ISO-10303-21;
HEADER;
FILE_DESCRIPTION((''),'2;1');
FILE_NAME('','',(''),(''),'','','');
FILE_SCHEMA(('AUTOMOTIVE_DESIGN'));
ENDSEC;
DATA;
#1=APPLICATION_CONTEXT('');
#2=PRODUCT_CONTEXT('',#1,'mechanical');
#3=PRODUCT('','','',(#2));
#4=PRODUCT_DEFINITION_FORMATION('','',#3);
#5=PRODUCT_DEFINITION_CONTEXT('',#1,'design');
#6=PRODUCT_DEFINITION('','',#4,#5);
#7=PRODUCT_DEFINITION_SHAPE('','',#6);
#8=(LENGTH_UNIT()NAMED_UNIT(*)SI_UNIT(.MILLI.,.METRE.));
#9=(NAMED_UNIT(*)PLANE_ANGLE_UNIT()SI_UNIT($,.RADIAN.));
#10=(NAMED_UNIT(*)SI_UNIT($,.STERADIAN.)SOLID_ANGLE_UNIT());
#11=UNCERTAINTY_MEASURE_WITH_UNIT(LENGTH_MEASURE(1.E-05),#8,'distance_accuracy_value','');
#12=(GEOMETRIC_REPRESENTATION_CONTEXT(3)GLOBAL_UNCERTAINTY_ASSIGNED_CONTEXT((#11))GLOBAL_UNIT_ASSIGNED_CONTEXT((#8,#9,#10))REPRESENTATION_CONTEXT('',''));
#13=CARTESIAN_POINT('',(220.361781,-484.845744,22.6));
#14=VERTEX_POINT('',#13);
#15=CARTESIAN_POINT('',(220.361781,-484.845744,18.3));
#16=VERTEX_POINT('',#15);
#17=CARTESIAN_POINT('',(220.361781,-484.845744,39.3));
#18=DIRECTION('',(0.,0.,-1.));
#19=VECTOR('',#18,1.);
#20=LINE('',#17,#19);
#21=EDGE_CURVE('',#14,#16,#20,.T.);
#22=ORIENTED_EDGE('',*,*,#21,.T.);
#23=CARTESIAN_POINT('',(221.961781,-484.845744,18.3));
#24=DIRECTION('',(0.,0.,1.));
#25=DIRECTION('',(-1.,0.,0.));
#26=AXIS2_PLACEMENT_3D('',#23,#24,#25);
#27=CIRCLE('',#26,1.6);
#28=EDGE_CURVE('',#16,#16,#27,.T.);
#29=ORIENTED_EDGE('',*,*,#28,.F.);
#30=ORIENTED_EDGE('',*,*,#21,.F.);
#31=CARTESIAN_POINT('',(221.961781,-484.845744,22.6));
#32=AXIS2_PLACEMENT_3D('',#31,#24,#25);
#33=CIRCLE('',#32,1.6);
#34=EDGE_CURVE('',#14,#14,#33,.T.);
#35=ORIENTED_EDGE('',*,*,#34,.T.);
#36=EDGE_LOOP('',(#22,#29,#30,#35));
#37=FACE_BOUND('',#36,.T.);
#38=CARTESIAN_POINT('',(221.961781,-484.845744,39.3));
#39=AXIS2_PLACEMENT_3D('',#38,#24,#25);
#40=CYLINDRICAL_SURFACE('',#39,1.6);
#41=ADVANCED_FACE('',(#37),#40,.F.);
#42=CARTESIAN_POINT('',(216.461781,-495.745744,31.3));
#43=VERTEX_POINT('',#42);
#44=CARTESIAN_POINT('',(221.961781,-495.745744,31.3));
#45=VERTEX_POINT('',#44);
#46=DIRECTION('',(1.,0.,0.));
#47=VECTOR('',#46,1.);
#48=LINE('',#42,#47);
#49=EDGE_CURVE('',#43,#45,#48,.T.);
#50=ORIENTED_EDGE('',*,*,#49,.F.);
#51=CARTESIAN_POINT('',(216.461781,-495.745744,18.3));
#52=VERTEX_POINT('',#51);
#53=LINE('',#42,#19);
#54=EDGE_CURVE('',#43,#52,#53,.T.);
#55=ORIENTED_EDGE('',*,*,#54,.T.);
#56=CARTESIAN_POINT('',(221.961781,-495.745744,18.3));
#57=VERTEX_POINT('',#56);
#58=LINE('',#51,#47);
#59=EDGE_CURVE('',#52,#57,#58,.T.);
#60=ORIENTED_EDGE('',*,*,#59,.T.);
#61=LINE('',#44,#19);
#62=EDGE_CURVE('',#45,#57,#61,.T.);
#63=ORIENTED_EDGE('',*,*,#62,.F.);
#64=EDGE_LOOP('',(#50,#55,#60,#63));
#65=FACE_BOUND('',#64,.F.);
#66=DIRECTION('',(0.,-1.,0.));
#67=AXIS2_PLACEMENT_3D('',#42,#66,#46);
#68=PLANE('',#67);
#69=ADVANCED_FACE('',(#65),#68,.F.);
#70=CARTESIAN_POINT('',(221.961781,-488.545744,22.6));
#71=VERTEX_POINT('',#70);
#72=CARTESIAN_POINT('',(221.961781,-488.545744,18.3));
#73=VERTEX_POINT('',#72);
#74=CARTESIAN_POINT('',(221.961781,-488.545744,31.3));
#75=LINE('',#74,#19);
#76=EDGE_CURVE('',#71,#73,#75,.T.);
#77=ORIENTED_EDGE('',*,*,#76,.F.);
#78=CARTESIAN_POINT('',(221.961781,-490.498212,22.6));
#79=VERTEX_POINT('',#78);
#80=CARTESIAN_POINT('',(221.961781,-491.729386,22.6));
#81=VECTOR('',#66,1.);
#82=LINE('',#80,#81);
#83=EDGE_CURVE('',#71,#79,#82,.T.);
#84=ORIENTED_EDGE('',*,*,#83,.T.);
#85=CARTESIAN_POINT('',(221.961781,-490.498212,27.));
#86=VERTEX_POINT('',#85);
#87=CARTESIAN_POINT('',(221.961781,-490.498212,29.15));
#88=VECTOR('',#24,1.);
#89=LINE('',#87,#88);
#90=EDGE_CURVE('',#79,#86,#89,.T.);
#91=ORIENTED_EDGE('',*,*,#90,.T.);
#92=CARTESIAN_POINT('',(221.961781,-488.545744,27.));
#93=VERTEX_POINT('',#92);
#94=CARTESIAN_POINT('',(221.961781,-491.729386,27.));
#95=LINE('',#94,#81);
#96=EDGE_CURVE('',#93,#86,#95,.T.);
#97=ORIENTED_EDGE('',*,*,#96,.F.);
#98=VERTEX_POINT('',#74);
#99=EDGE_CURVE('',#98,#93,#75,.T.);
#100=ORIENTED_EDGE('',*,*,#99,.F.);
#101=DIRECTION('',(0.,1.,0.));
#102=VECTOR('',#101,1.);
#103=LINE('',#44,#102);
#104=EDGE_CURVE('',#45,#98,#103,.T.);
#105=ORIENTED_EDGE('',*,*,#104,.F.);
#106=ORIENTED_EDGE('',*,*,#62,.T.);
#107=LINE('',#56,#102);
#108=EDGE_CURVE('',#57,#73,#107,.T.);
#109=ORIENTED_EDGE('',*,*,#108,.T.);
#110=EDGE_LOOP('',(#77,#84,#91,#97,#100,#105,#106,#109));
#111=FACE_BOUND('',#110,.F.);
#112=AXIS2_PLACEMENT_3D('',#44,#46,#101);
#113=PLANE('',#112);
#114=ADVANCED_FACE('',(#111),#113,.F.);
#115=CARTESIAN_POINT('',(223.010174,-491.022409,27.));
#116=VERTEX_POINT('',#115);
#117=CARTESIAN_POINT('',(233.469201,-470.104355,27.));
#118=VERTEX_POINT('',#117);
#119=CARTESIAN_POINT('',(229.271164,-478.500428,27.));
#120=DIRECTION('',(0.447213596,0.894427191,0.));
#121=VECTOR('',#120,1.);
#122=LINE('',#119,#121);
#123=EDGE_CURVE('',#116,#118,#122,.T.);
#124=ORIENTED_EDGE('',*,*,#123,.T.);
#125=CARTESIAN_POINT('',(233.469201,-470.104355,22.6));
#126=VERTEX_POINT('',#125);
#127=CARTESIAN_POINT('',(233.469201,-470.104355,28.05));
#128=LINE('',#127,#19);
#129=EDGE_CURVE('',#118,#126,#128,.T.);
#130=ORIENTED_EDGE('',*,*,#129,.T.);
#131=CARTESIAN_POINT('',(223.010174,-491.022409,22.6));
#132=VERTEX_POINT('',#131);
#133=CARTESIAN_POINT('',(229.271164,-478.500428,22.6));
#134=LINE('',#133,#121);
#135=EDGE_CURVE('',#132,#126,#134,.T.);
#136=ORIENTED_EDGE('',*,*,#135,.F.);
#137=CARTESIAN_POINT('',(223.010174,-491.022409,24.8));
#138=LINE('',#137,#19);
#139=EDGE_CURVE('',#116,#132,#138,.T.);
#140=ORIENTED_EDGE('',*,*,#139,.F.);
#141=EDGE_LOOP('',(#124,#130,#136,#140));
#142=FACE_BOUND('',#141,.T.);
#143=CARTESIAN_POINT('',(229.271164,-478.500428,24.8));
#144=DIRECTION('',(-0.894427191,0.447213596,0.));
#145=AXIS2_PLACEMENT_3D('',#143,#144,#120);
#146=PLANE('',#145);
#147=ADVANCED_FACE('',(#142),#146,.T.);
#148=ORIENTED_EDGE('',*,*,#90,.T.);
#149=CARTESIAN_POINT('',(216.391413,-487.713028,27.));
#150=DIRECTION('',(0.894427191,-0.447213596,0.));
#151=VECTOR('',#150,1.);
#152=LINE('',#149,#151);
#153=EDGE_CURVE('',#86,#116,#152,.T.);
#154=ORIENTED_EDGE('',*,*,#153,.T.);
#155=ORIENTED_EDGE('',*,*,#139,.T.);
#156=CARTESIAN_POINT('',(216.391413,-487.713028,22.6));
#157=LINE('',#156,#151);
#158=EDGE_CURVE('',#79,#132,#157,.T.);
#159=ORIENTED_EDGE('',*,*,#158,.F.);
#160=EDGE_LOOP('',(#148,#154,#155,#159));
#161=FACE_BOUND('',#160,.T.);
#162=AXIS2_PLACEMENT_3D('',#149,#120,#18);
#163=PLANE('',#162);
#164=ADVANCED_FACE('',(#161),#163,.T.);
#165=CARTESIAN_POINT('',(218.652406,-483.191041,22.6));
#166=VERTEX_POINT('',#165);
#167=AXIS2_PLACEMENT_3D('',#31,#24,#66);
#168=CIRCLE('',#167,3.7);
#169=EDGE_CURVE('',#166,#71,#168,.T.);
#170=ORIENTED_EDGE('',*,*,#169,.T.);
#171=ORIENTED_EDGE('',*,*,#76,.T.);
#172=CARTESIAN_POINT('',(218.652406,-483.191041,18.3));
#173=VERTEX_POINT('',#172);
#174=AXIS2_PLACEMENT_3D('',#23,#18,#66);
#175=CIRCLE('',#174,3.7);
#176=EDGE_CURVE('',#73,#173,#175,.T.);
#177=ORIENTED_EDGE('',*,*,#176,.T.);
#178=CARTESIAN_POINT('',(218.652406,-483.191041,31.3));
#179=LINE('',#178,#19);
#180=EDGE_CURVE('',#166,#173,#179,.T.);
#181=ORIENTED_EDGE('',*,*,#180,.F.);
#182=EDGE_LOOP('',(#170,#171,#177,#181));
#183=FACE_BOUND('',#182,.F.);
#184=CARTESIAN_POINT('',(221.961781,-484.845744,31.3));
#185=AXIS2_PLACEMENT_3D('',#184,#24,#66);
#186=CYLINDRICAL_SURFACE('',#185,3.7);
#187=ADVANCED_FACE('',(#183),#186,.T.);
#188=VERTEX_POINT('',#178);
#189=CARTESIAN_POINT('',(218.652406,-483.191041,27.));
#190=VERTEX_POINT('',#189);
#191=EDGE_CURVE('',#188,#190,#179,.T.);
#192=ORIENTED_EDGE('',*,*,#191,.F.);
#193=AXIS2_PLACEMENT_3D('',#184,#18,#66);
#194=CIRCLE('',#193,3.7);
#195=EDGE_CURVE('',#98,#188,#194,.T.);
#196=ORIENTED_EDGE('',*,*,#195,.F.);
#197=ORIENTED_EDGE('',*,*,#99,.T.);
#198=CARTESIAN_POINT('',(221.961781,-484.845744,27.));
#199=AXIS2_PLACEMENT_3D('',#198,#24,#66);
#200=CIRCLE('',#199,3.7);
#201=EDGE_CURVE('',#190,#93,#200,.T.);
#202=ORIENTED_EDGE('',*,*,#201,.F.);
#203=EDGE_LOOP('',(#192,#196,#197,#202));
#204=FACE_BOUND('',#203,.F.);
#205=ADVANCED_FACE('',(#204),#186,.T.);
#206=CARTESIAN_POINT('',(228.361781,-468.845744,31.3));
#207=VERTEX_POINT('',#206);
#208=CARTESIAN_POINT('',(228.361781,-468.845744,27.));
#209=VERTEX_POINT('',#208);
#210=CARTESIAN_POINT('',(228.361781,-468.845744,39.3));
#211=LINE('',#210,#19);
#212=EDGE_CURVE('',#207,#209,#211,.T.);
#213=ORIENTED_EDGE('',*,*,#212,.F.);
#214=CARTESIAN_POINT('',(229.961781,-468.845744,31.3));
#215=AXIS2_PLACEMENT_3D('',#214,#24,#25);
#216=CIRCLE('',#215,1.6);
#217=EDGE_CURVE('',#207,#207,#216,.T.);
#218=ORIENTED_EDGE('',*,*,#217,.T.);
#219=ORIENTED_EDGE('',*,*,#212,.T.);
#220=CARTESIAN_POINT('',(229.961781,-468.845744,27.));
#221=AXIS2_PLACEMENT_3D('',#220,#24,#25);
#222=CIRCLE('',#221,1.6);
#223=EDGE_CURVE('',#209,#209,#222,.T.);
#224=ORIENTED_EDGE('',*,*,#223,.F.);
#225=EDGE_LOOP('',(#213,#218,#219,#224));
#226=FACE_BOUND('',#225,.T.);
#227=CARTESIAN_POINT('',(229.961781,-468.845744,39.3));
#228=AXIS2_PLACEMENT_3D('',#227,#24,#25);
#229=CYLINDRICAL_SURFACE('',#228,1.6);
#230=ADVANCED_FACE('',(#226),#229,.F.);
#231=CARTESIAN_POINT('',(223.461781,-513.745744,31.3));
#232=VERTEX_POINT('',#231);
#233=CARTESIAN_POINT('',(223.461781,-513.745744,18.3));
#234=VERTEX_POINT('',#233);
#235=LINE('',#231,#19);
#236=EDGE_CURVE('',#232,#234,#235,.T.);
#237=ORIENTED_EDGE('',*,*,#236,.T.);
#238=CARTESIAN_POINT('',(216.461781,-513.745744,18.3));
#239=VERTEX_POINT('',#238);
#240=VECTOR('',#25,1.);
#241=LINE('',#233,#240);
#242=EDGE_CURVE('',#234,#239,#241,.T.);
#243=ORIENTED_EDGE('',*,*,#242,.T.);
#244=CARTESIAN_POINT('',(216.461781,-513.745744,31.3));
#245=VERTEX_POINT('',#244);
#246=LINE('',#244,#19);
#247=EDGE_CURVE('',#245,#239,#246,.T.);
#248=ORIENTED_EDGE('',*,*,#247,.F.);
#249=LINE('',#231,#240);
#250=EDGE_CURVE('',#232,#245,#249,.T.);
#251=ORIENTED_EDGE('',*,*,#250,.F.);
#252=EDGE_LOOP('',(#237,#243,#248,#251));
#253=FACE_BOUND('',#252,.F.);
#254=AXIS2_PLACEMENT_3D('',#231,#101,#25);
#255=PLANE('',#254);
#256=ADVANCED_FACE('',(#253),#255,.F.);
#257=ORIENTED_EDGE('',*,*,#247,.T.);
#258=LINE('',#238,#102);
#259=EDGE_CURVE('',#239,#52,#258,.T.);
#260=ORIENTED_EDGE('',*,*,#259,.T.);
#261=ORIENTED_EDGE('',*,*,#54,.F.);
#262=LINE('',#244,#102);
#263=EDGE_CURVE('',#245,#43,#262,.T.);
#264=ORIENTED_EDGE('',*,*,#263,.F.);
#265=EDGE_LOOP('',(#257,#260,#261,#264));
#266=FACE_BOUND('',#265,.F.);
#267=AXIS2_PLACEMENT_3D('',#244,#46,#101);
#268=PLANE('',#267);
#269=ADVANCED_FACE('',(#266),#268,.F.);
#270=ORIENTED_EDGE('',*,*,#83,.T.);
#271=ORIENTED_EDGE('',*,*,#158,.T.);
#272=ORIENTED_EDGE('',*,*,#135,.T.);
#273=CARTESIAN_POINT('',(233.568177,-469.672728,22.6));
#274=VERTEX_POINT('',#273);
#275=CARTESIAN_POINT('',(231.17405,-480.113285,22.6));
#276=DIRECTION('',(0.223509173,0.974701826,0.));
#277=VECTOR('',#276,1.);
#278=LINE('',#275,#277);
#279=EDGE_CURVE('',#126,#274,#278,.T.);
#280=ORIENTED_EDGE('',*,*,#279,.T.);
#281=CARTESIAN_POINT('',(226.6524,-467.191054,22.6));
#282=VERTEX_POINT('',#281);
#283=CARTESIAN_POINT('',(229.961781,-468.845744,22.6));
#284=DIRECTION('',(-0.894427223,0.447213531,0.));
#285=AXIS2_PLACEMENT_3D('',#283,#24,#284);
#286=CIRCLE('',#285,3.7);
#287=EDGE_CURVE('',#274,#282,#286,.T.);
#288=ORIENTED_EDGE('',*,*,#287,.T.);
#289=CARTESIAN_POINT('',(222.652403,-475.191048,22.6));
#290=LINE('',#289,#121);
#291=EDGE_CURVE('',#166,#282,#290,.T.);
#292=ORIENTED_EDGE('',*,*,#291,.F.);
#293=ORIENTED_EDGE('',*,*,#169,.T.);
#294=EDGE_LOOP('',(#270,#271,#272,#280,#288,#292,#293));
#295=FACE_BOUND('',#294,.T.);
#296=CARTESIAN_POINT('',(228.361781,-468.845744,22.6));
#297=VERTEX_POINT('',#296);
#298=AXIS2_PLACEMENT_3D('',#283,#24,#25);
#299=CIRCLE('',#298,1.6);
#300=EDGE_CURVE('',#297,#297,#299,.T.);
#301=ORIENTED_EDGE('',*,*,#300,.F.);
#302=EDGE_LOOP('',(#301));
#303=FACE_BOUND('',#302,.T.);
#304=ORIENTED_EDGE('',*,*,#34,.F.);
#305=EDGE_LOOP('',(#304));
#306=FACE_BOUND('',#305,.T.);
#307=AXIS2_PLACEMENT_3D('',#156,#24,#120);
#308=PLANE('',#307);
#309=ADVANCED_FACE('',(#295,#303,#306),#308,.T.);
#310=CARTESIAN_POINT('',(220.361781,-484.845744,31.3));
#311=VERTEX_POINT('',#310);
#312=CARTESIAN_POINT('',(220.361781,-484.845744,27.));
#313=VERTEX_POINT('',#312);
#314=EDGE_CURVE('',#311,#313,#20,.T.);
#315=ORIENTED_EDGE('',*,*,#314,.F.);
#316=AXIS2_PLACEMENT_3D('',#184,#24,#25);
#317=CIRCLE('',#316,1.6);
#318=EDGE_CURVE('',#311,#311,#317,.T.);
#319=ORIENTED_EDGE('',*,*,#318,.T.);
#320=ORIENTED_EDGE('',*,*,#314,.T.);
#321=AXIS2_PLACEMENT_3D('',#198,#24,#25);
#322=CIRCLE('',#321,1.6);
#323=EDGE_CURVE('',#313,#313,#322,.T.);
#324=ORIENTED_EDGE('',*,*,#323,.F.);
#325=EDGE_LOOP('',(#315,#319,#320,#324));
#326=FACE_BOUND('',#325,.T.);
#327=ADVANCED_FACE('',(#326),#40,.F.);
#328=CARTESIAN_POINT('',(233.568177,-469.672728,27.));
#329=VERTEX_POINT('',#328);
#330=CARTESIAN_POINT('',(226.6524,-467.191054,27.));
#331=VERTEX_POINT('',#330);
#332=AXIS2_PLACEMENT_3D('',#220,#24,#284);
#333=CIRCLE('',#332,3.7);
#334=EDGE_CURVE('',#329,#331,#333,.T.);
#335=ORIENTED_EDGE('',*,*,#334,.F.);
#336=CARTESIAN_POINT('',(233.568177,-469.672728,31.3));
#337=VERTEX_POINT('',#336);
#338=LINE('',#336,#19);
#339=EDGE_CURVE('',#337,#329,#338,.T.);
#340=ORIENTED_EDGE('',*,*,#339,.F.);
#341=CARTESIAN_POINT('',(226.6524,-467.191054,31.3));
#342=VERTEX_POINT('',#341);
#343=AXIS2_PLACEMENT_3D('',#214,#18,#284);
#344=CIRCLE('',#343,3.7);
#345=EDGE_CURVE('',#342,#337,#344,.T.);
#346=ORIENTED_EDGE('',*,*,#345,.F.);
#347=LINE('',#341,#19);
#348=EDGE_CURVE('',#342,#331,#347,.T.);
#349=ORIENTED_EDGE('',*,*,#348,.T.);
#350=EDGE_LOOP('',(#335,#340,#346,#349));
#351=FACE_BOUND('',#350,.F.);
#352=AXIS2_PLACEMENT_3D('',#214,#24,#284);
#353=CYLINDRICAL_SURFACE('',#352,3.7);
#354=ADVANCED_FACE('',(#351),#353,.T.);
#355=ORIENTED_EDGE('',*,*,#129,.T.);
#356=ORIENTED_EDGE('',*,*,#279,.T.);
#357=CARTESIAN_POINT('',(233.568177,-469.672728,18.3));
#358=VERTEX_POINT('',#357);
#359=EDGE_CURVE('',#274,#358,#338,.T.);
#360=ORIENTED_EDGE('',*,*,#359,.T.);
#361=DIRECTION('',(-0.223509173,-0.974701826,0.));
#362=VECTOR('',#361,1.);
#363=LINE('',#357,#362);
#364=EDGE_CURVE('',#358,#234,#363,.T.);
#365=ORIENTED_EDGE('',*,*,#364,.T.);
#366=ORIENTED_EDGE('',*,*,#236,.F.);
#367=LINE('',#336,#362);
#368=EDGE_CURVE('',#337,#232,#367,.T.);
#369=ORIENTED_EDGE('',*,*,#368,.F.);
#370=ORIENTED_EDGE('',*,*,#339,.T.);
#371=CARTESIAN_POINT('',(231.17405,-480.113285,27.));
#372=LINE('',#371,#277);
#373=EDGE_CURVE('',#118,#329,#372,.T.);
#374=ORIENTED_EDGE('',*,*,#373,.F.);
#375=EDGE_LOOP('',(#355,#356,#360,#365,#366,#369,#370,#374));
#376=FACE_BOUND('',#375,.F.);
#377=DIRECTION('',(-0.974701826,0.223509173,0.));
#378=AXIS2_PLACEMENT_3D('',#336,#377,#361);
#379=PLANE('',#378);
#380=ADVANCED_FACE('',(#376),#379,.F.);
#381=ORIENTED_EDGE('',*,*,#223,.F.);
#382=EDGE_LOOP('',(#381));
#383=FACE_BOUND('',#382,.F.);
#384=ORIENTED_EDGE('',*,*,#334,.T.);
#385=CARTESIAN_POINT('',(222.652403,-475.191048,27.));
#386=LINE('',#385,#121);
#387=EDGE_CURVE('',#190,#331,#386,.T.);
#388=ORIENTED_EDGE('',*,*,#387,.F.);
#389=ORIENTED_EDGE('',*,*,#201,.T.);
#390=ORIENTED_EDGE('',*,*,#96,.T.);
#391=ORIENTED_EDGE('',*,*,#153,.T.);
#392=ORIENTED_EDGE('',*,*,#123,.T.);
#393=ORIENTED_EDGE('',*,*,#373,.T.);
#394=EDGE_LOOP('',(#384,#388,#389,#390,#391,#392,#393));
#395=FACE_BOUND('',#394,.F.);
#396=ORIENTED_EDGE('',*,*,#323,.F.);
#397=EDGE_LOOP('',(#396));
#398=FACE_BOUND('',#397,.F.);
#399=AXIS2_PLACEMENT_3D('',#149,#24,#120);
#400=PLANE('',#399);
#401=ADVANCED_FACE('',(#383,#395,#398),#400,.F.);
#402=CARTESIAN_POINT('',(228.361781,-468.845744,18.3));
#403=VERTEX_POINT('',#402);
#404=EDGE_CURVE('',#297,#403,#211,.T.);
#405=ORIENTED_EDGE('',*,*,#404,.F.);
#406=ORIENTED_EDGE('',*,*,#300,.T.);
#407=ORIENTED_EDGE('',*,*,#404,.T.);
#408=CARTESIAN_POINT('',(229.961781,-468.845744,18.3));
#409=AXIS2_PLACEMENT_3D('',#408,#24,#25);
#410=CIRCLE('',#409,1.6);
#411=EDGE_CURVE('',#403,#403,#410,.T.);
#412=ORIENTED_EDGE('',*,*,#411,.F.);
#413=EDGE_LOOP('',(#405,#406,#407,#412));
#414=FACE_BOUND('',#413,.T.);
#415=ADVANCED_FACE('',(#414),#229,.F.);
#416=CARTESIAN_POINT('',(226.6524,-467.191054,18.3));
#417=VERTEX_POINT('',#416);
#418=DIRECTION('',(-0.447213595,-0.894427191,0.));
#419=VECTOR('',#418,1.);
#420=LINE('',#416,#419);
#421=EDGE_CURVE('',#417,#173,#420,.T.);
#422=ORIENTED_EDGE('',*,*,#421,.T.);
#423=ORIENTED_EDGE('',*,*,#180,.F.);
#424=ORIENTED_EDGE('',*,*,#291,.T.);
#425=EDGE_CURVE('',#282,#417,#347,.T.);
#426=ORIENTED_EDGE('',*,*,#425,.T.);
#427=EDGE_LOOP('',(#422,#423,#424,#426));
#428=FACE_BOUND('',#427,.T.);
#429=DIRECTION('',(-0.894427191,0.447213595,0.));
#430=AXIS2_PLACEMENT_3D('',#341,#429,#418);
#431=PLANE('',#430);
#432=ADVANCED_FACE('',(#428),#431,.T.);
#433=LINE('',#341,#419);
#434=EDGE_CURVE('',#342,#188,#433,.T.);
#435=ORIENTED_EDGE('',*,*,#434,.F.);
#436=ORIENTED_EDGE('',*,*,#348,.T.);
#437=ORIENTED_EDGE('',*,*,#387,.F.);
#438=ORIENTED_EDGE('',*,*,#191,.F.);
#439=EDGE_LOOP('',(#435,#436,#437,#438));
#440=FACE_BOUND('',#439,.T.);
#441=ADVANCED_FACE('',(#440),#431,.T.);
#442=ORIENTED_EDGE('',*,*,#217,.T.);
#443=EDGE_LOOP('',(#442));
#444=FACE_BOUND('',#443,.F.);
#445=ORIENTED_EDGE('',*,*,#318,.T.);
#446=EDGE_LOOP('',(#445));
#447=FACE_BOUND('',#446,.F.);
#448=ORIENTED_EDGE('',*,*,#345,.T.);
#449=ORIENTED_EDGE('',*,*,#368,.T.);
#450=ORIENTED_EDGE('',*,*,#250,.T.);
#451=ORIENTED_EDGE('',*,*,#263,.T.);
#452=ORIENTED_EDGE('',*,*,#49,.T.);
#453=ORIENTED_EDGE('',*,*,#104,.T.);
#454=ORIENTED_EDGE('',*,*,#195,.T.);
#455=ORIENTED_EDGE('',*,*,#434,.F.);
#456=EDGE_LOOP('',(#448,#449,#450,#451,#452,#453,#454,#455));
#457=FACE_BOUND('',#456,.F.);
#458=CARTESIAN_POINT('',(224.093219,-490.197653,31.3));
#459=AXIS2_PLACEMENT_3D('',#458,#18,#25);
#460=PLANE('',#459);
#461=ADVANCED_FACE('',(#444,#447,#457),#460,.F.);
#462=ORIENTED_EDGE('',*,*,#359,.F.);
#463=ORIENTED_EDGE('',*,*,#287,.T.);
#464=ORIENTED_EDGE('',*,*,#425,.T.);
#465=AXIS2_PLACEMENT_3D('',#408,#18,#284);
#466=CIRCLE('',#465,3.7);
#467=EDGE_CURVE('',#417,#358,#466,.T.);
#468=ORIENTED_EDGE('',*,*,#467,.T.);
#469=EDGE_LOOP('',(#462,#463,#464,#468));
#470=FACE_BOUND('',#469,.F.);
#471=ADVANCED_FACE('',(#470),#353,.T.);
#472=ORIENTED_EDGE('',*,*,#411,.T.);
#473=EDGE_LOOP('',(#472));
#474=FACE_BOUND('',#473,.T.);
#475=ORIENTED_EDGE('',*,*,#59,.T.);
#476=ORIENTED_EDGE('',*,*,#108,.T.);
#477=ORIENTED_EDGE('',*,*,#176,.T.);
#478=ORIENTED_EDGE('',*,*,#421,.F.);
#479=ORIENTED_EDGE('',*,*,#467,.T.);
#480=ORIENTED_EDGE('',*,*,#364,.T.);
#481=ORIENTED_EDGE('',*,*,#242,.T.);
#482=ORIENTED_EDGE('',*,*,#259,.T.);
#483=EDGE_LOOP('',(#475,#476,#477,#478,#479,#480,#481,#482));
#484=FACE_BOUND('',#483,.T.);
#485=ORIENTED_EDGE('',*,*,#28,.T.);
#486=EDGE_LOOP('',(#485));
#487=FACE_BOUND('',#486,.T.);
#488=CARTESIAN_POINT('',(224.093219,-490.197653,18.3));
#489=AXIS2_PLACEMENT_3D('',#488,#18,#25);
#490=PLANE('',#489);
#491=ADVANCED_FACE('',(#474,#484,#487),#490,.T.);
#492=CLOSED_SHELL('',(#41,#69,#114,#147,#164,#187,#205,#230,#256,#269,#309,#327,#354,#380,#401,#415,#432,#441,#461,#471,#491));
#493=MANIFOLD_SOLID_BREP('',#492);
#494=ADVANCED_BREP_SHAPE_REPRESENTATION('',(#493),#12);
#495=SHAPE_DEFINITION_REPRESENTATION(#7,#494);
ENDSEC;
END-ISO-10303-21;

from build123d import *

# Parameters (mm, degrees)
CYLINDER005_R            = 1.6
CYLINDER005_DEPTH        = 30
PAD001_DEPTH             = 13
SKETCH001_W              = 28
SKETCH001_H              = 4.4
POCKET002_DEPTH          = 7.4
CLONE016_PLACEMENT_ANGLE = 180


with BuildPart() as finger_drill_master:
    # Cylinder005 → Cylinder005 (new body)
    with BuildSketch(Plane.XY.offset(-8)):
        Circle(CYLINDER005_R)
    extrude(amount=CYLINDER005_DEPTH)


with BuildPart() as clone001:
    # Clone001 base: copy of finger-drill-master
    add(finger_drill_master.part)


with BuildPart() as clone001_1:
    # Clone001 placement: moved
    add(clone001.part.moved(Location((-5.5, 28.9, 0))))


with BuildPart() as finger_drills:
    # Clone002 base: copy of finger-drill-master
    add(finger_drill_master.part)


with BuildPart() as finger_drills_1:
    # Clone002 placement: moved
    add(finger_drills.part.moved(Location((-13.5, 44.9, 0))))

    # Fusion011: union Clone001
    add(clone001_1.part)


with BuildPart() as clone_of_right_finger:
    # Sketch007 → Pad001 (new body)
    with BuildSketch(Plane.XY):
        with BuildLine():
            Line((0, 0), (0, 18))
            Line((0, 18), (-5.5, 18))
            Line((-5.5, 18), (-5.5, 25.2))
            ThreePointArc((-5.5, 25.2), (-2.3525883805, 26.9548007564), (-2.1906255667, 30.55470265))
            Line((-10.1906192745, 46.5546900658), (-2.1906255667, 30.55470265))
            ThreePointArc((-10.1906192745, 46.5546900658), (-14.7496924515, 48.3825664066), (-17.1063967324, 44.0730159565))
            Line((-17.1063967324, 44.0730159565), (-7, 0))
            Line((-7, 0), (0, 0))
        make_face()
    extrude(amount=PAD001_DEPTH)

    # Sketch001 → Pocket002 (cut)
    with BuildSketch(Plane(origin=(10.4693806066, 5.2346903033, 0), x_dir=(-0.4472135955, 0.894427191, 0), z_dir=(0.894427191, 0.4472135955, 0))):
        with Locations((37.2528992744, 6.5)):
            Rectangle(SKETCH001_W, SKETCH001_H)
    extrude(amount=-POCKET002_DEPTH, mode=Mode.SUBTRACT)

    # Cut012: cut finger-drills
    add(finger_drills_1.part, mode=Mode.SUBTRACT)


with BuildPart() as clone_of_right_finger_1:
    # Cut012 placement: moved
    add(clone_of_right_finger.part.moved(Location((0, -57, 0))))


with BuildPart() as clone_of_right_finger_2:
    # Clone016 placement: moved
    add(clone_of_right_finger_1.part.moved(Location((230.4617805391, 242.2542559908, 13))).rotate(Axis((230.4617805391, 242.2542559908, 13), (0, 1, 0)), CLONE016_PLACEMENT_ANGLE))


with BuildPart() as clone_of_right_finger_3:
    # Clone184 placement: moved
    add(clone_of_right_finger_2.part.moved(Location((-14, -699, 18.3))))


solid = clone_of_right_finger_3.part
